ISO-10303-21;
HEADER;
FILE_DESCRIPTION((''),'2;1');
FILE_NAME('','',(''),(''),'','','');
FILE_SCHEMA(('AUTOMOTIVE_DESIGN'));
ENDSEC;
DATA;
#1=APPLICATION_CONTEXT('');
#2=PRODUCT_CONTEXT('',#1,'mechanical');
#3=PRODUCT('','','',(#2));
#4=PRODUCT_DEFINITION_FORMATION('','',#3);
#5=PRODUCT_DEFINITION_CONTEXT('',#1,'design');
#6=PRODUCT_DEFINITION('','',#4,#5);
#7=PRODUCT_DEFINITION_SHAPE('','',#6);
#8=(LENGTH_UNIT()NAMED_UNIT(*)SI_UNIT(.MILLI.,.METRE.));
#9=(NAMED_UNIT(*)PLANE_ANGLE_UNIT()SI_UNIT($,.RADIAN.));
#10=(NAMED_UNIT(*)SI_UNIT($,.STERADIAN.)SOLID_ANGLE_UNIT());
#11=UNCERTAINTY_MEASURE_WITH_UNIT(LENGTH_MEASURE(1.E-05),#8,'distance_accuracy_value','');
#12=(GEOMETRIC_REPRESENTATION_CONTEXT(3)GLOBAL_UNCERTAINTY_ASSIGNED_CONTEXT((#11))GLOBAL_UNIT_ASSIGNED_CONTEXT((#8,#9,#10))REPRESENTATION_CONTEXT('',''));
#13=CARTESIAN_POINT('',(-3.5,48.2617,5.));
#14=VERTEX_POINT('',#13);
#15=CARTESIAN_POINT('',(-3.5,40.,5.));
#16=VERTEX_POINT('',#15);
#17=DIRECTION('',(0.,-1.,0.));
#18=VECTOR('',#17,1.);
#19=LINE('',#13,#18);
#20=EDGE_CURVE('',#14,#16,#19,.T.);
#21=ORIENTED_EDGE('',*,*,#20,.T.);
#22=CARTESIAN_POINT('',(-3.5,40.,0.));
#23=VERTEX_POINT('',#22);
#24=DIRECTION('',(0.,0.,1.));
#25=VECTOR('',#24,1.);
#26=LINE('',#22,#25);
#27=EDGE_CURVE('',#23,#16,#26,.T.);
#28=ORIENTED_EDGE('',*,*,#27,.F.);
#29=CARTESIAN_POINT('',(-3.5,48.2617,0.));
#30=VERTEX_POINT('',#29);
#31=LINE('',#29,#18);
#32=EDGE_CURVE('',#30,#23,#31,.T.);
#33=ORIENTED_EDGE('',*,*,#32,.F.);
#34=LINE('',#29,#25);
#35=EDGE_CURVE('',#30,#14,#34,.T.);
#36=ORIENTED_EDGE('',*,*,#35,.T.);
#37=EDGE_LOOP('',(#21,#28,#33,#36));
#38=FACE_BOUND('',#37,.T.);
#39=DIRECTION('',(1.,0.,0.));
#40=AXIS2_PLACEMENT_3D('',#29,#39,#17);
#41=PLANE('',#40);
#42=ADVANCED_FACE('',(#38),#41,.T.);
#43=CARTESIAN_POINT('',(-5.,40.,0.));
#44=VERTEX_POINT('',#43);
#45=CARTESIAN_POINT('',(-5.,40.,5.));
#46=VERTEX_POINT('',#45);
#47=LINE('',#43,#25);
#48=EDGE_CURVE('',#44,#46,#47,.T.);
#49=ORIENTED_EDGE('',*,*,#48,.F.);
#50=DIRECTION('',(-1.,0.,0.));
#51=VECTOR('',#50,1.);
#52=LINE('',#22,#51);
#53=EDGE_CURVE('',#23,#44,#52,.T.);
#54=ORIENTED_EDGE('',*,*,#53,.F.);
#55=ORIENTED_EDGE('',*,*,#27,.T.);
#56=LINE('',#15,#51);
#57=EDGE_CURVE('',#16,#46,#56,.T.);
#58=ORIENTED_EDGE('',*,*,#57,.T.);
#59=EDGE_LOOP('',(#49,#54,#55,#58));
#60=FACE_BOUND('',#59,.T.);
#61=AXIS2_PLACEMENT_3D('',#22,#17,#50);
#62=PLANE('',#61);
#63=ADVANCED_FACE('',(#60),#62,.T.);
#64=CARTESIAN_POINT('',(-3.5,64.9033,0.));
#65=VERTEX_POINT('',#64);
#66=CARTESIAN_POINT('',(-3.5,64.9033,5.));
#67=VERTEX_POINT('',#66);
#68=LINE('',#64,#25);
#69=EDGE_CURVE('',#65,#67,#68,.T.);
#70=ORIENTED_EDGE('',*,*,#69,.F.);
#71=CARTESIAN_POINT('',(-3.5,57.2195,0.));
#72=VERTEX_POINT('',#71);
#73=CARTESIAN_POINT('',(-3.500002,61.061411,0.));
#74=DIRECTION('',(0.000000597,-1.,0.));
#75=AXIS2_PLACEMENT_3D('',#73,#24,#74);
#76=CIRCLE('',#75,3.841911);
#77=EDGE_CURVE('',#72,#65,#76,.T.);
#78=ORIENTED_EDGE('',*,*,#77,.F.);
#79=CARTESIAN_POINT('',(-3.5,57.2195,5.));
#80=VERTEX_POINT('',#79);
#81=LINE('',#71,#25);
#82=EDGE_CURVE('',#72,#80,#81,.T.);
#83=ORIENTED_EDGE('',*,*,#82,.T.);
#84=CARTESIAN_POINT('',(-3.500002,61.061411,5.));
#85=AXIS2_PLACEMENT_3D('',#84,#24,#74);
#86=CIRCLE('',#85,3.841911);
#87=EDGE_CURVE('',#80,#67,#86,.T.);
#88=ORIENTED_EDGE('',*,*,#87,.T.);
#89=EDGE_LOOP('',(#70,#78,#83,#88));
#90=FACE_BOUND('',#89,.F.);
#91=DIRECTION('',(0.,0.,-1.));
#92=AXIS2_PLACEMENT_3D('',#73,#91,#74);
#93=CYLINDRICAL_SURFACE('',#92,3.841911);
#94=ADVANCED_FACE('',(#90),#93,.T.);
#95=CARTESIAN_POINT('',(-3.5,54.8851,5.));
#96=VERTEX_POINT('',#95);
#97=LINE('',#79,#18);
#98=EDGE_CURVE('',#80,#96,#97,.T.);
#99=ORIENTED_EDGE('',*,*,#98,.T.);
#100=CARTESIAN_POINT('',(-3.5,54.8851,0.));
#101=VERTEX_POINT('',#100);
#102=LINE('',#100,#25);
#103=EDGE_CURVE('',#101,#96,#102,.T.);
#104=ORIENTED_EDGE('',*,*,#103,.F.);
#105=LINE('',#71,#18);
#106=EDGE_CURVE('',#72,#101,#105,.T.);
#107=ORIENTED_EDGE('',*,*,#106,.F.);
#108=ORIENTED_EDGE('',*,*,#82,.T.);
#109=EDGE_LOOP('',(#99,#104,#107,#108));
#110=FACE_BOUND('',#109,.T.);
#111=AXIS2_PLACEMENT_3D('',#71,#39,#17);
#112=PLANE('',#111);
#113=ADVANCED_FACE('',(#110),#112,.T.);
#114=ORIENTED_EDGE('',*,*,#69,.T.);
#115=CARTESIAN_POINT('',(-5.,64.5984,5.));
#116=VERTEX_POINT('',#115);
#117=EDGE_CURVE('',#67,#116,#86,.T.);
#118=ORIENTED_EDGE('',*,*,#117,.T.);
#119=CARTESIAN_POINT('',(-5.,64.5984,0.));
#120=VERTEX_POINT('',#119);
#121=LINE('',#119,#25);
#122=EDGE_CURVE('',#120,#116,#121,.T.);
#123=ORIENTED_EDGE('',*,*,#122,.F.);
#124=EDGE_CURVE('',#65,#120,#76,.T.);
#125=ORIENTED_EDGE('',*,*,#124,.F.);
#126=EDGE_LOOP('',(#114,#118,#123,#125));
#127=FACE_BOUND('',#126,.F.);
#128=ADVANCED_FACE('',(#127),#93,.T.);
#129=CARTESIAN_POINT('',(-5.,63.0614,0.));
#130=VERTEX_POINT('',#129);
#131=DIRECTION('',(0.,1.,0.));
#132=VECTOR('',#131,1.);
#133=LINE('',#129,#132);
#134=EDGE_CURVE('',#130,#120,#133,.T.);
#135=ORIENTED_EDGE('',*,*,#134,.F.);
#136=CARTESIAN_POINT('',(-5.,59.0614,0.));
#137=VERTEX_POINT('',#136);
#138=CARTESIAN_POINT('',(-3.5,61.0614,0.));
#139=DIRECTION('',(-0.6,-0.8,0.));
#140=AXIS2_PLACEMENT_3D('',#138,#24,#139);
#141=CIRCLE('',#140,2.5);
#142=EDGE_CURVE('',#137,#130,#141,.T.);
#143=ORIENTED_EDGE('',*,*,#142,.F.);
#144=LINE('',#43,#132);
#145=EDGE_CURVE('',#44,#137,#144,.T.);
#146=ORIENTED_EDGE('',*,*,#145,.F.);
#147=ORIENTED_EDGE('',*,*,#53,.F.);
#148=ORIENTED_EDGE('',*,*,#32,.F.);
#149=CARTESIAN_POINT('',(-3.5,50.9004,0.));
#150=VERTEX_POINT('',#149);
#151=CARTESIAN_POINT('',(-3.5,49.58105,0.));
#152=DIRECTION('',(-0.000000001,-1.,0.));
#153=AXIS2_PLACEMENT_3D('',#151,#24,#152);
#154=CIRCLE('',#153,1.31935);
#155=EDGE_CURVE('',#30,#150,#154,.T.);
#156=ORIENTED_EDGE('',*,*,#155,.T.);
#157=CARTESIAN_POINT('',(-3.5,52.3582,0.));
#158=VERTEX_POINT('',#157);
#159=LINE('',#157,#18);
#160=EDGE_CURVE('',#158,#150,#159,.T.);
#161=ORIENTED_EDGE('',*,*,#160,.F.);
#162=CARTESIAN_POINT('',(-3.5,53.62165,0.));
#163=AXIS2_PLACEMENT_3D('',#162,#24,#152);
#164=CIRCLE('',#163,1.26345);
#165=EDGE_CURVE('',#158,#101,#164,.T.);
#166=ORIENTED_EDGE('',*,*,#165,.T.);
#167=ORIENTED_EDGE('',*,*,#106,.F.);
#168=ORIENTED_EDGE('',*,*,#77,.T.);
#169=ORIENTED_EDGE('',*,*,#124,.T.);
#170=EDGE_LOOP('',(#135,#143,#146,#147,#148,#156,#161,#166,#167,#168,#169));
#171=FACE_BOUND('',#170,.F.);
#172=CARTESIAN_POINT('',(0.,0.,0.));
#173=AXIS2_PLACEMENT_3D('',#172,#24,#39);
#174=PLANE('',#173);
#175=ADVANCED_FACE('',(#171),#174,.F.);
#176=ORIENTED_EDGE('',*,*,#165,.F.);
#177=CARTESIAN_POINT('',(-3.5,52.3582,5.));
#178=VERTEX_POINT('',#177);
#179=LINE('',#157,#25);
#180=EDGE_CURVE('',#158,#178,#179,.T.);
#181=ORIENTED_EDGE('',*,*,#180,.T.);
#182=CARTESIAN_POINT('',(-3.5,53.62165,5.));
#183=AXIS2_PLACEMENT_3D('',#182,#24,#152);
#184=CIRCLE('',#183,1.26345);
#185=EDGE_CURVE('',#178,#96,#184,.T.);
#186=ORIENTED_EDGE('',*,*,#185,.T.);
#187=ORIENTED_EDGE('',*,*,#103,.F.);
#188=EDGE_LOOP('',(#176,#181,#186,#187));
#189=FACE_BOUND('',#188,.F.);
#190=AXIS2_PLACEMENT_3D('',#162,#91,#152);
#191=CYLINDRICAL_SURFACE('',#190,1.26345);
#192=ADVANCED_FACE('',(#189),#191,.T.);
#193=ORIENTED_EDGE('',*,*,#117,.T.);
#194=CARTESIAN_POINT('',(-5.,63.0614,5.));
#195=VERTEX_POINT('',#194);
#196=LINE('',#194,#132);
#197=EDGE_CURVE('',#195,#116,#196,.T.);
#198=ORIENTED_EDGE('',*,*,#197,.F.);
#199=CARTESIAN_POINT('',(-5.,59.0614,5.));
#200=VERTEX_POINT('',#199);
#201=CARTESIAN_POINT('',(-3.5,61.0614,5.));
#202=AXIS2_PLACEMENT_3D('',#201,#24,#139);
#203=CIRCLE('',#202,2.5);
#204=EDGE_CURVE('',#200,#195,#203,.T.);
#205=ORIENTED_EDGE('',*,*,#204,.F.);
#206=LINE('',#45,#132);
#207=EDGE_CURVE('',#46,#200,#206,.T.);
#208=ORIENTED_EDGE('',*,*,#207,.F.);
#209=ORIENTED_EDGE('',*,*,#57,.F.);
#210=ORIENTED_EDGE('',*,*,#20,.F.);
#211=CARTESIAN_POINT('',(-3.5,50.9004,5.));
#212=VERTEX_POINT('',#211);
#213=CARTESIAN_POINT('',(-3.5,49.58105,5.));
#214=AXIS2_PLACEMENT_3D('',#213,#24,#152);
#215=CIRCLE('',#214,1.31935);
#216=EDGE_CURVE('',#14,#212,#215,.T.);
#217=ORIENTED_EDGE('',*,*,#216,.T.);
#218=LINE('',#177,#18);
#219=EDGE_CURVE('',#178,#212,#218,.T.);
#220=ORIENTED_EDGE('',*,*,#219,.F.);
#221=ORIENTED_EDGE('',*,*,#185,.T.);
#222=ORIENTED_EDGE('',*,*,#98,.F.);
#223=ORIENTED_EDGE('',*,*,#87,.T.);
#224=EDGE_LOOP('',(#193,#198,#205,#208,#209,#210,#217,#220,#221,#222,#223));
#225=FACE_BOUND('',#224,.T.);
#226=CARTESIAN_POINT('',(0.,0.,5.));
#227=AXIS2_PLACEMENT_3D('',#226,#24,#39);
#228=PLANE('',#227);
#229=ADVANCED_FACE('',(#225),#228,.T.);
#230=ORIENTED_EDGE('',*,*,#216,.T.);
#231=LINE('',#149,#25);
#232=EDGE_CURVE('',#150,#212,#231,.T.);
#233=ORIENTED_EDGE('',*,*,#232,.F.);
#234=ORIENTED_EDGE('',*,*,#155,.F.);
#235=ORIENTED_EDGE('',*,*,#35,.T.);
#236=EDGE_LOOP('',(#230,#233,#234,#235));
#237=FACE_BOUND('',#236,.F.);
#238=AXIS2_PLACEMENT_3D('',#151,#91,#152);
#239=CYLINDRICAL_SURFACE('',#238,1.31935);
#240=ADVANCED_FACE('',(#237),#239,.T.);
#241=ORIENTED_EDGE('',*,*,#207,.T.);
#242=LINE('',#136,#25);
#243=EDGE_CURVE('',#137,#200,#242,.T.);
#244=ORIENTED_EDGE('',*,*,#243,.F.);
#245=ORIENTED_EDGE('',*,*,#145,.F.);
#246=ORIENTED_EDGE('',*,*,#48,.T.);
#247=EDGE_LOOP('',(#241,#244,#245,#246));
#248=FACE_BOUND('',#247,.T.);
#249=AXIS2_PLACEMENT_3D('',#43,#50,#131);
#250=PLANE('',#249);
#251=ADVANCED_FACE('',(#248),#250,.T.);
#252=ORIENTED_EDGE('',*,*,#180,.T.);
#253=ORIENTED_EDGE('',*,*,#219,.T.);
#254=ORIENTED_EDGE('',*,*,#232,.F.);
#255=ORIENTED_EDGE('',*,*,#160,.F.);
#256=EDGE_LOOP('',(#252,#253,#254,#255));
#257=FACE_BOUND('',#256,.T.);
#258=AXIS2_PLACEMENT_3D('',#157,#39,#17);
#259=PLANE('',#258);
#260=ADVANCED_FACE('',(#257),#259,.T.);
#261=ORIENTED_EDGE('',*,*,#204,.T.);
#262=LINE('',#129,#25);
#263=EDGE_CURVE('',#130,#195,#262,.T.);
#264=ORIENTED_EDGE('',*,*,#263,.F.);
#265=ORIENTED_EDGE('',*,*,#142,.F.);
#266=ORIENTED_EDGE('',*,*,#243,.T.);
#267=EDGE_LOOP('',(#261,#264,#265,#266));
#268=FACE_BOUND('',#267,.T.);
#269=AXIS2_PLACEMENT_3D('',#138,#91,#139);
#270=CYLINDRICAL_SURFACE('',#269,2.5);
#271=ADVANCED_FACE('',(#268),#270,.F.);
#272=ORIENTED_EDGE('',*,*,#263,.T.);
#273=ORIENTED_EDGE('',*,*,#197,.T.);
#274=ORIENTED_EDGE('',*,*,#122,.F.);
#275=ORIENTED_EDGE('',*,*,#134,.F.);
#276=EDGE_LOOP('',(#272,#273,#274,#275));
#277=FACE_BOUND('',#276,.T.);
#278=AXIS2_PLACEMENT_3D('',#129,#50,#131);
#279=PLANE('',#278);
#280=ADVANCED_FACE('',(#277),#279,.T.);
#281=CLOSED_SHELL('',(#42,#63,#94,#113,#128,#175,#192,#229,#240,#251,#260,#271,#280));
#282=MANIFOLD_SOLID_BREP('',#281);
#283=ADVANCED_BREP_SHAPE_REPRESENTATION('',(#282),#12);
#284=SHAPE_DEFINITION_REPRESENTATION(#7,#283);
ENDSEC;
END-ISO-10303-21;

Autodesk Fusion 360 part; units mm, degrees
sketch "Sketch1" plane through (0, 0, 0) normal (0, 0, 1) x (1, 0, 0)
  line L0 (-3.5, 40) -> (-5, 40)
  arc A0 (-3.5, 57.2195) -> (-5, 64.5984) centre (-3.5, 61.0614) ccw
  arc A1 (-5, 59.0614) -> (-5, 63.0614) centre (-3.5, 61.0614) ccw
  line L1 (-5, 40) -> (-5, 59.0614)
  line L2 (-5, 63.0614) -> (-5, 64.5984)
  line L3 (-3.5, 65) -> (-3.5, 64.9033)
  arc A2 (-3.5, 52.3582) -> (-3.5, 54.8851) centre (-3.5, 53.6216) ccw
  line L4 (-3.5, 57.2195) -> (-3.5, 54.8851)
  line L5 (-3.5, 52.3582) -> (-3.5, 50.9004)
  line L6 (-3.5, 48.2617) -> (-3.5, 40)
  arc A3 (-3.5, 48.2617) -> (-3.5, 50.9004) centre (-3.5, 49.5811) ccw
  dimension "d3" = 5
extrude "Extrude1" add sketch "Sketch1" along normal blind 5
